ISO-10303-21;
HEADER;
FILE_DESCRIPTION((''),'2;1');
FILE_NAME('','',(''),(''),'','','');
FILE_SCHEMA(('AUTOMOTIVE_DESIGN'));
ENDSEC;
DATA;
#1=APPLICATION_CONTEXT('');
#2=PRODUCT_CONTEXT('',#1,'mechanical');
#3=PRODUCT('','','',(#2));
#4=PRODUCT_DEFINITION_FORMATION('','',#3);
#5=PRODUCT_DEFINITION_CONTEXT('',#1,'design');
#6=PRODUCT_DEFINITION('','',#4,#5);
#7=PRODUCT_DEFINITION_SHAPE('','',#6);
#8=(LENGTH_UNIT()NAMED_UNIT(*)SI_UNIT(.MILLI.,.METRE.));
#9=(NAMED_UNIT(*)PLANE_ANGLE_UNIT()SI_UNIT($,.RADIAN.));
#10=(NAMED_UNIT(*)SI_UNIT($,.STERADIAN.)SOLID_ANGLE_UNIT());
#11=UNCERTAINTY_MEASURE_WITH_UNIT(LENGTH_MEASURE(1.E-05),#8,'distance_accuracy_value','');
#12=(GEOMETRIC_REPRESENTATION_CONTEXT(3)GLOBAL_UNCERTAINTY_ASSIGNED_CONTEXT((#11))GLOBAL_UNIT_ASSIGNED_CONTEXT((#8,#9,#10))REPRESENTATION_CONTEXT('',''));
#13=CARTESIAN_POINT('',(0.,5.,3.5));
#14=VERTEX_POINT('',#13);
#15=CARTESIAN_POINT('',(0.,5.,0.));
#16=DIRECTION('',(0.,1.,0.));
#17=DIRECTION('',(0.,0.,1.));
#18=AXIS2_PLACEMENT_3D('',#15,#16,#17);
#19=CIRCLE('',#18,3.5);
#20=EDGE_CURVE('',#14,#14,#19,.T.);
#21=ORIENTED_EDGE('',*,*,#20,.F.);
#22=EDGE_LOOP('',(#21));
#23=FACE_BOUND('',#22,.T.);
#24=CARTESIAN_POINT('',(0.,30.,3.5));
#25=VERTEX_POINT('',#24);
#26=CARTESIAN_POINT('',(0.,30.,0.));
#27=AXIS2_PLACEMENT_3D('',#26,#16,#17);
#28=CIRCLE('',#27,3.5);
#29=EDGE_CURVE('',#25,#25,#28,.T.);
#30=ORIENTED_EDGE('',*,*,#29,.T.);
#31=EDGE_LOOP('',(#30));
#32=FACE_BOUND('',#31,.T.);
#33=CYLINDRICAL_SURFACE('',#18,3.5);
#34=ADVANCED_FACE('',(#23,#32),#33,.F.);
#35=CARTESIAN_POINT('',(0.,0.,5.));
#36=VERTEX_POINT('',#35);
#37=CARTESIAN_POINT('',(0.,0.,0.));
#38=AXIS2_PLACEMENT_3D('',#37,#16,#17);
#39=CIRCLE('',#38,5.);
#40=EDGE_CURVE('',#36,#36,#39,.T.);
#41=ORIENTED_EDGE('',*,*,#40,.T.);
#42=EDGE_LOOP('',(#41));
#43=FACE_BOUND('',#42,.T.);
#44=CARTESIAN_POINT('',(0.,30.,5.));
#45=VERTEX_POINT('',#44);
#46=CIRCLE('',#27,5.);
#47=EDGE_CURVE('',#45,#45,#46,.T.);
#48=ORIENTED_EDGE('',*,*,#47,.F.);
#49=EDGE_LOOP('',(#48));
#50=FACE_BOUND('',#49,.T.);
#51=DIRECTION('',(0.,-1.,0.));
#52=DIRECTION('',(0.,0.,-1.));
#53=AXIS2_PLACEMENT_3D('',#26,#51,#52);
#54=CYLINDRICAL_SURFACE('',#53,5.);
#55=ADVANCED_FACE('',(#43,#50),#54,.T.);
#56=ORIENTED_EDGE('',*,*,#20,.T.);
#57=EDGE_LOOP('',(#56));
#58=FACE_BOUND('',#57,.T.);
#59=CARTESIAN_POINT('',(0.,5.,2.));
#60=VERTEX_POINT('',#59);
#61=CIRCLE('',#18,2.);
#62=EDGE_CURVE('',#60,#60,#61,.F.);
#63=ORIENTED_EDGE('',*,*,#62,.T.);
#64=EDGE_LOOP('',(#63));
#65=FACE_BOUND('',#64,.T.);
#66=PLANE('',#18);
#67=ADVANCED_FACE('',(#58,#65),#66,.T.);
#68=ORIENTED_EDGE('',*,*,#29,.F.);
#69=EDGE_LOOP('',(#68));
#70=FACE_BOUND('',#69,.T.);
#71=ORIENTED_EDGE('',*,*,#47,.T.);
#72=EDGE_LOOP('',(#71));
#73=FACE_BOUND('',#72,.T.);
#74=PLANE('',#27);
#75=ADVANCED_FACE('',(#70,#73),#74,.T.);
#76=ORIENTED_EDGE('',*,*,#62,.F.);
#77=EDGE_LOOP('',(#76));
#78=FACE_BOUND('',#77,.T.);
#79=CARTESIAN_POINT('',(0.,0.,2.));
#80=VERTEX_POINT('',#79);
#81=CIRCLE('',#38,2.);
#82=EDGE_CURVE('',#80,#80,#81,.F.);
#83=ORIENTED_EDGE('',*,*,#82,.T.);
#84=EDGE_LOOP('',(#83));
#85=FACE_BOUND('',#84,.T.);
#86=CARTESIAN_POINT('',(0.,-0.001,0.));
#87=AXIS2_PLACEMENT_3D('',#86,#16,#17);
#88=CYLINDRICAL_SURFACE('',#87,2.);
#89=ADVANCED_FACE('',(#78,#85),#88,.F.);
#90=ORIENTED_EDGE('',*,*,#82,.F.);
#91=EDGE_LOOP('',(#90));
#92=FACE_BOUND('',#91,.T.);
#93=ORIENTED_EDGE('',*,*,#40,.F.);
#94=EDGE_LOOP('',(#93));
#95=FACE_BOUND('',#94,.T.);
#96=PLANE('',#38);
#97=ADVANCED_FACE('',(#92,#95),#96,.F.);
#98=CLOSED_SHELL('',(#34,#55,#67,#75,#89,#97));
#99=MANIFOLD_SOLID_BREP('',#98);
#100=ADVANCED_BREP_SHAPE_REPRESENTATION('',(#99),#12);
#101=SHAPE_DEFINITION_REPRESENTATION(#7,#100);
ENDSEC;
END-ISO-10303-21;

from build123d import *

# Parameters (mm, degrees)
SKETCH1_R           = 5
BOSS_EXTRUDE1_DEPTH = 30
CUT_EXTRUDE1_REACH  = 32.822
SKETCH2_R           = 2
SKETCH3_R           = 3.5
CUT_EXTRUDE2_DEPTH  = 25


with BuildPart() as part:
    # Sketch1 → Boss-Extrude1 (new body)
    with BuildSketch(Plane(origin=(0, 0, 0), x_dir=(1, 0, 0), z_dir=(0, 1, 0))):
        with Locations(Location((0, 0, 0), (0, 0, 270))):
            Circle(SKETCH1_R)
    extrude(amount=BOSS_EXTRUDE1_DEPTH)

    # Sketch2 → Cut-Extrude1 (cut, up to next)
    with BuildSketch(Plane(origin=(0, 30, 0), x_dir=(1, 0, 0), z_dir=(0, 1, 0)), mode=Mode.PRIVATE) as cut_extrude1_sk1:
        with Locations(Location((0, 0, 0), (0, 0, 270))):
            Circle(SKETCH2_R)
    cut_extrude1_tool1 = extrude(cut_extrude1_sk1.sketch, amount=-CUT_EXTRUDE1_REACH, mode=Mode.PRIVATE) & part.part
    add(cut_extrude1_tool1.solids().sort_by_distance((0, 30, 0))[0], mode=Mode.SUBTRACT)

    # Sketch3 → Cut-Extrude2 (cut)
    with BuildSketch(Plane(origin=(0, 30, 0), x_dir=(1, 0, 0), z_dir=(0, 1, 0))):
        with Locations(Location((0, 0, 0), (0, 0, 270))):
            Circle(SKETCH3_R)
    extrude(amount=-CUT_EXTRUDE2_DEPTH, mode=Mode.SUBTRACT)


solid = part.part
